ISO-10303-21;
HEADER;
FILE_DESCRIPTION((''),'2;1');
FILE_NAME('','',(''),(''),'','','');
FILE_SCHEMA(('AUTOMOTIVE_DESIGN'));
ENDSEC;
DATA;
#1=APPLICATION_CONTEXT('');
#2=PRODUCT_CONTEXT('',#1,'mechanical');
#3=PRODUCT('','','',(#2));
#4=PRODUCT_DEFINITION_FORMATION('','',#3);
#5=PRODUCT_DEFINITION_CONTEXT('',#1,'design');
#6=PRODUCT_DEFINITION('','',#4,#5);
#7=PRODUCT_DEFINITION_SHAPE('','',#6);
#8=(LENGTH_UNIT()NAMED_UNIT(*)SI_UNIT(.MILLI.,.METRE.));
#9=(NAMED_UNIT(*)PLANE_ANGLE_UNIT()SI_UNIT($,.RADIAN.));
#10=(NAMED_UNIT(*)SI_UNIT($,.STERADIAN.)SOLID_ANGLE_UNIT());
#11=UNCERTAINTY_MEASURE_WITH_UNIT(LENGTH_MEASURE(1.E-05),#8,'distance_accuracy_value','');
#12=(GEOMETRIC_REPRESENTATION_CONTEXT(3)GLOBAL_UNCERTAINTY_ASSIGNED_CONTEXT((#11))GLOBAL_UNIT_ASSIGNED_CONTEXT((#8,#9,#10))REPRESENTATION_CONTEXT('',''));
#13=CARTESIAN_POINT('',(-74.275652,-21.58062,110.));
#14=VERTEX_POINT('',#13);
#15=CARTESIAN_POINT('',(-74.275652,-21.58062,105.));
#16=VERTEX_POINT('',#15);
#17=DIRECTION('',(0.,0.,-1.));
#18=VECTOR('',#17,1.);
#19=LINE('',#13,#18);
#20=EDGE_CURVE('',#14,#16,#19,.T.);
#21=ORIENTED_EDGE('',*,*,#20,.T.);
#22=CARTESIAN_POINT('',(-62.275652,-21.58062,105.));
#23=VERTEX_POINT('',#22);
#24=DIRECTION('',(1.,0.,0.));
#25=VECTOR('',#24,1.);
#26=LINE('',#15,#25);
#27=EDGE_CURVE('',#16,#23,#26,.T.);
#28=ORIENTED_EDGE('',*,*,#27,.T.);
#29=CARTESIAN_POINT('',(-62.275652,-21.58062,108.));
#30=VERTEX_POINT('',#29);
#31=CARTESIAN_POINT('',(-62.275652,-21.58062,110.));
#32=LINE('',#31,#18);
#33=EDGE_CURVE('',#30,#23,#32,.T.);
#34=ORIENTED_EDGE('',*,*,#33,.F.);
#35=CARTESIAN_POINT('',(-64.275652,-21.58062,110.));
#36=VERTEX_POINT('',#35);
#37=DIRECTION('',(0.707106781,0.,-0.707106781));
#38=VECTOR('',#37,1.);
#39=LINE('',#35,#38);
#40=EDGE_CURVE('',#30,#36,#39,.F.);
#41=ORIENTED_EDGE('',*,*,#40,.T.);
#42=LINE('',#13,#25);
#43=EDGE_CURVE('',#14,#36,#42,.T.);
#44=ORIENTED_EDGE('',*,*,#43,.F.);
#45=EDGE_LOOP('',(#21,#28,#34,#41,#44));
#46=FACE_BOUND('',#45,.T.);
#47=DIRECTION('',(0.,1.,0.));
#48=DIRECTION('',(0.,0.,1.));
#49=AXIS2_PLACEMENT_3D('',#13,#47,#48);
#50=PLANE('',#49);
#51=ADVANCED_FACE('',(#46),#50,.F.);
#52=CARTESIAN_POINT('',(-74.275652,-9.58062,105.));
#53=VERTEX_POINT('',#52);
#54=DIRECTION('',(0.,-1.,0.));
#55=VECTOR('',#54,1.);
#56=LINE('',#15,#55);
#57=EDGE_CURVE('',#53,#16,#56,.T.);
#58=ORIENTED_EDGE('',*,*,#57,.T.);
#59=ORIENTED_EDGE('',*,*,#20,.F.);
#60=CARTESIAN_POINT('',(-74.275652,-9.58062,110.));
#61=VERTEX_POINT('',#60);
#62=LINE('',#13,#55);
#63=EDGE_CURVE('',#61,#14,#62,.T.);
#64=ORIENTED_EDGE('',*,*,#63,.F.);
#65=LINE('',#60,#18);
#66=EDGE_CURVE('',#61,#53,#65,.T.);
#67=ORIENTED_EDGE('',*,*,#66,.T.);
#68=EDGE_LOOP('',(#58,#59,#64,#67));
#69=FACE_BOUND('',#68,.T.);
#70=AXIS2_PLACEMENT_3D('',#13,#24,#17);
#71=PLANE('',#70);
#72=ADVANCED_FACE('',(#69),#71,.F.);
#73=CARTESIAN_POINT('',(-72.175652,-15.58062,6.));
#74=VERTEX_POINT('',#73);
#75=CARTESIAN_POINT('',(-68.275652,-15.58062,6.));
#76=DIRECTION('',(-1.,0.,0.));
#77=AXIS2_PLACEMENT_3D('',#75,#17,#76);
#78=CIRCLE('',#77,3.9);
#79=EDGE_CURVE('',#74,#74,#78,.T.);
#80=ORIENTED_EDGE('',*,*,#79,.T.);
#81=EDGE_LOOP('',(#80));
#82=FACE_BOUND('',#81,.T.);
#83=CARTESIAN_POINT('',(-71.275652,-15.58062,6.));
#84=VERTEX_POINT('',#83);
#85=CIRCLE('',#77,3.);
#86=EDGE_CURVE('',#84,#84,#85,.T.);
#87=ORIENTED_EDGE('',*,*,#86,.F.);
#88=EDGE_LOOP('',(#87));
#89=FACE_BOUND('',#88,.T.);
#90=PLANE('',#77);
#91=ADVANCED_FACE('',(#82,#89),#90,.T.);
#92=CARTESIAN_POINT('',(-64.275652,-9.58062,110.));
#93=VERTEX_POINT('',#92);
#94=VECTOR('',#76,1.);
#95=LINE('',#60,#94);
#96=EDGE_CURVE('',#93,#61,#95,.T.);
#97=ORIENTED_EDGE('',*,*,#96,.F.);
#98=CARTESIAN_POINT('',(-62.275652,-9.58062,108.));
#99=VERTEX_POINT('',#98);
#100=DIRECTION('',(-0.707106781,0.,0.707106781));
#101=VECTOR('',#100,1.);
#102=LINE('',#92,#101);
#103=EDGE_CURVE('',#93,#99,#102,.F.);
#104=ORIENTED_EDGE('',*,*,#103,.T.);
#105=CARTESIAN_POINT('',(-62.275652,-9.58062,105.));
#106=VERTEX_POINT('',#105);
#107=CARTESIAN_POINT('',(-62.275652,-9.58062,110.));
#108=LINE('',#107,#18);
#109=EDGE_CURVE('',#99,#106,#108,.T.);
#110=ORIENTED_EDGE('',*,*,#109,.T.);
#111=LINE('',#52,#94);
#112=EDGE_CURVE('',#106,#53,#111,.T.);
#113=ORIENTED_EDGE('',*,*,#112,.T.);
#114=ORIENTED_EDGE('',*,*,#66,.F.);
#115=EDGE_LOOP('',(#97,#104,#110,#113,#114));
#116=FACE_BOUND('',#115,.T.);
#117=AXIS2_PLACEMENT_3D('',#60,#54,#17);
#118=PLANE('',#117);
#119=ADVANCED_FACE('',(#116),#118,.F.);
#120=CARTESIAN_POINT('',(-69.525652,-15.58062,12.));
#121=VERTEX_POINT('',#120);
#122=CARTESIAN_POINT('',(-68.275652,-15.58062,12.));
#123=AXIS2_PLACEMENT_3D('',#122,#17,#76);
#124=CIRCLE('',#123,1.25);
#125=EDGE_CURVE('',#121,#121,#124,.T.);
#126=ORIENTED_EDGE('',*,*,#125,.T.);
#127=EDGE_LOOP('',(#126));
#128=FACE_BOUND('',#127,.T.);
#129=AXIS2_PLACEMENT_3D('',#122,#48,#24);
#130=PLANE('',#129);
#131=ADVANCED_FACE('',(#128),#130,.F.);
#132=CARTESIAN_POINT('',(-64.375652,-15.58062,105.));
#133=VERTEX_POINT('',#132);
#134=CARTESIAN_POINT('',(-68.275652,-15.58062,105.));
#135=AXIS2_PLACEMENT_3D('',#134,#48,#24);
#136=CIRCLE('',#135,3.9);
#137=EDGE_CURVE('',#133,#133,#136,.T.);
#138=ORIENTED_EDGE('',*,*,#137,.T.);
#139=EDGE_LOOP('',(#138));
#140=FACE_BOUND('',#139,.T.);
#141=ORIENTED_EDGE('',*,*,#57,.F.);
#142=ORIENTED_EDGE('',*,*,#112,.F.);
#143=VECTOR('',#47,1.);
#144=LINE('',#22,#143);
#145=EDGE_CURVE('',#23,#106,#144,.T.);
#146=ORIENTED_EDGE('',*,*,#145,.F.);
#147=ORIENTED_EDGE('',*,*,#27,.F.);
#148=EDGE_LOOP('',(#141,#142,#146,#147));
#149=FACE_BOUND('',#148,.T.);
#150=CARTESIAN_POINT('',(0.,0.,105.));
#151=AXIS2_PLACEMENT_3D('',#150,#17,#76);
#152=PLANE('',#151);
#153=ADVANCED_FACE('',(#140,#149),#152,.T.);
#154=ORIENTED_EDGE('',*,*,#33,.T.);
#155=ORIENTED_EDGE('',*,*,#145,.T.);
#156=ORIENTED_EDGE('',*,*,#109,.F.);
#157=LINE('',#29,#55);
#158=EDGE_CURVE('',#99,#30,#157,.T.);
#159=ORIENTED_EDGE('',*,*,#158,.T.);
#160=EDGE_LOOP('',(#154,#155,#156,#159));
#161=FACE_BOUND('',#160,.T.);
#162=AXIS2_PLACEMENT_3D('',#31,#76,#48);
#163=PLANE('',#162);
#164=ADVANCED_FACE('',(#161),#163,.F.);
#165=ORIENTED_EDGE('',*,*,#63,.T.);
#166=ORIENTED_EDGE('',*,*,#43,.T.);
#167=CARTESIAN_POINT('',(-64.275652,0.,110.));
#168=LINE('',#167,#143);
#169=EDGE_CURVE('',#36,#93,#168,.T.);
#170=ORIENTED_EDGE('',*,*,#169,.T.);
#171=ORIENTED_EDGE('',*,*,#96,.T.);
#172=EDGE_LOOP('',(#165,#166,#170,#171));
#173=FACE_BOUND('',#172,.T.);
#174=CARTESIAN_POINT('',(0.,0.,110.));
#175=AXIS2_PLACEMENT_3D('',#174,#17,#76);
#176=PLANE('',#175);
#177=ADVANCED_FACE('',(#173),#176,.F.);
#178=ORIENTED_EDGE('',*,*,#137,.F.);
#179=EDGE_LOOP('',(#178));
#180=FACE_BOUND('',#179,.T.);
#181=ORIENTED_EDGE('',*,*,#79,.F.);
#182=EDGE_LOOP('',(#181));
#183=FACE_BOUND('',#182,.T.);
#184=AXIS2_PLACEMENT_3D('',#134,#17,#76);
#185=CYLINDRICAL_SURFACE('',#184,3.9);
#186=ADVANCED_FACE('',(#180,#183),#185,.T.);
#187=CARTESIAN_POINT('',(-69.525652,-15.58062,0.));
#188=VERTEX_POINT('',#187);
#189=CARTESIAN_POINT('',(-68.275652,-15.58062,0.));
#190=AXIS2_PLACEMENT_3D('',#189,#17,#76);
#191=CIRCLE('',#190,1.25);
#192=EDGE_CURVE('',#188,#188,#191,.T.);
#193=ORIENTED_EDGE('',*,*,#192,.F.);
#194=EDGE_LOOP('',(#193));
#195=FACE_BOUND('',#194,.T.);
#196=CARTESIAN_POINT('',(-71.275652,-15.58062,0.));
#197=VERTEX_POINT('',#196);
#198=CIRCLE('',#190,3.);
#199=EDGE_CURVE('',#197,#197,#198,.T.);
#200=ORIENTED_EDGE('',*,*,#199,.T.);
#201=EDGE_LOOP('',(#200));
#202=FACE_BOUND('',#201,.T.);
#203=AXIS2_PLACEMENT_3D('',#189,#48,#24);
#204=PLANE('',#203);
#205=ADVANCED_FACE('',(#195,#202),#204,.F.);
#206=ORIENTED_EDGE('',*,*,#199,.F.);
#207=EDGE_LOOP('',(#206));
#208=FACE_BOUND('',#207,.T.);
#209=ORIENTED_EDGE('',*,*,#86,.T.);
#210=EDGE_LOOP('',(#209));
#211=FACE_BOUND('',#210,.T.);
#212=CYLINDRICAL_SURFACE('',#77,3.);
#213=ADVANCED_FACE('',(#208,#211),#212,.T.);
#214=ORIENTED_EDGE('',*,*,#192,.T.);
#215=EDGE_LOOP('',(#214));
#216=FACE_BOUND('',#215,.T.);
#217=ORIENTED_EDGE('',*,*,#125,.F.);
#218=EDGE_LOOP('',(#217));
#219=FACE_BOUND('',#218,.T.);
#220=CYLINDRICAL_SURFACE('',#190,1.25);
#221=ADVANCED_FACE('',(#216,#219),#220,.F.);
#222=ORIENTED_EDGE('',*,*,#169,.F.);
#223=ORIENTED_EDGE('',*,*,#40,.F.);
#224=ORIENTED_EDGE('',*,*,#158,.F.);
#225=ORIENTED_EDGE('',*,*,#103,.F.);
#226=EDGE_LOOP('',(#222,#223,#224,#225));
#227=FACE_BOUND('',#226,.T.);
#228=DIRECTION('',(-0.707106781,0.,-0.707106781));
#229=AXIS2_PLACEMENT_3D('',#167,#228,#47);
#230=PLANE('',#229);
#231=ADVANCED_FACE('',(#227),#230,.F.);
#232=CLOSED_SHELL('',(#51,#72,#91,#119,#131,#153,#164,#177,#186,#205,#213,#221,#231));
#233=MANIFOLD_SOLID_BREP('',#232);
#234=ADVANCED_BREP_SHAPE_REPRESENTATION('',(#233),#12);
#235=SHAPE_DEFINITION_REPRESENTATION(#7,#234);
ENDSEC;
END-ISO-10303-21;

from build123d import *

# Parameters (mm, degrees)
ESQUISSE1_R                                   = 3.9
BOSS_EXTRU_1_DEPTH                            = 105
ESQUISSE2_W                                   = 12
ESQUISSE2_H                                   = 12
BOSS_EXTRU_2_DEPTH                            = 5
ESQUISSE14_R                                  = 3.9
ESQUISSE14_R_2                                = 3
ENL_V_MAT_EXTRU_1_DEPTH                       = 6
CHANFREIN1_SIZE                               = 2
TROU_POUR_TARAUDAGE_POUR_TROU_TARAUD_M3_D     = 2.5
TROU_POUR_TARAUDAGE_POUR_TROU_TARAUD_M3_DEPTH = 12


with BuildPart() as part:
    # Esquisse1 → Boss.-Extru.1 (new body)
    with BuildSketch(Plane.XY):
        with Locations((-68.275651986, -15.580620135)):
            Circle(ESQUISSE1_R)
    extrude(amount=BOSS_EXTRU_1_DEPTH)

    # Esquisse2 → Boss.-Extru.2 (add)
    with BuildSketch(Plane.XY.offset(105)):
        with Locations((-68.275651986, -15.580620135)):
            Rectangle(ESQUISSE2_W, ESQUISSE2_H)
    extrude(amount=BOSS_EXTRU_2_DEPTH)

    # Esquisse14 → Enlèv. mat.-Extru.1 (cut)
    with BuildSketch(Plane(origin=(0, 0, 0), x_dir=(-1, 0, 0), z_dir=(0, 0, -1))):
        with Locations((68.275651986, -15.580620135)):
            Circle(ESQUISSE14_R)
        with Locations((68.275651986, -15.580620135)):
            Circle(ESQUISSE14_R_2, mode=Mode.SUBTRACT)
    extrude(amount=-ENL_V_MAT_EXTRU_1_DEPTH, mode=Mode.SUBTRACT)

    # Chanfrein1
    chanfrein1_edges = [part.edges().sort_by_distance(p)[0] for p in [
        (-62.275651986, -15.580620135, 110),
    ]]
    chamfer(chanfrein1_edges, length=CHANFREIN1_SIZE)

    # Trou pour taraudage pour trou taraudé M3x0.51
    with Locations(Plane(origin=(0, 0, 0), x_dir=(-1, 0, 0), z_dir=(0, 0, -1))):
        with Locations((68.275651986, -15.580620135)):
            Hole(TROU_POUR_TARAUDAGE_POUR_TROU_TARAUD_M3_D / 2, depth=TROU_POUR_TARAUDAGE_POUR_TROU_TARAUD_M3_DEPTH)


solid = part.part
